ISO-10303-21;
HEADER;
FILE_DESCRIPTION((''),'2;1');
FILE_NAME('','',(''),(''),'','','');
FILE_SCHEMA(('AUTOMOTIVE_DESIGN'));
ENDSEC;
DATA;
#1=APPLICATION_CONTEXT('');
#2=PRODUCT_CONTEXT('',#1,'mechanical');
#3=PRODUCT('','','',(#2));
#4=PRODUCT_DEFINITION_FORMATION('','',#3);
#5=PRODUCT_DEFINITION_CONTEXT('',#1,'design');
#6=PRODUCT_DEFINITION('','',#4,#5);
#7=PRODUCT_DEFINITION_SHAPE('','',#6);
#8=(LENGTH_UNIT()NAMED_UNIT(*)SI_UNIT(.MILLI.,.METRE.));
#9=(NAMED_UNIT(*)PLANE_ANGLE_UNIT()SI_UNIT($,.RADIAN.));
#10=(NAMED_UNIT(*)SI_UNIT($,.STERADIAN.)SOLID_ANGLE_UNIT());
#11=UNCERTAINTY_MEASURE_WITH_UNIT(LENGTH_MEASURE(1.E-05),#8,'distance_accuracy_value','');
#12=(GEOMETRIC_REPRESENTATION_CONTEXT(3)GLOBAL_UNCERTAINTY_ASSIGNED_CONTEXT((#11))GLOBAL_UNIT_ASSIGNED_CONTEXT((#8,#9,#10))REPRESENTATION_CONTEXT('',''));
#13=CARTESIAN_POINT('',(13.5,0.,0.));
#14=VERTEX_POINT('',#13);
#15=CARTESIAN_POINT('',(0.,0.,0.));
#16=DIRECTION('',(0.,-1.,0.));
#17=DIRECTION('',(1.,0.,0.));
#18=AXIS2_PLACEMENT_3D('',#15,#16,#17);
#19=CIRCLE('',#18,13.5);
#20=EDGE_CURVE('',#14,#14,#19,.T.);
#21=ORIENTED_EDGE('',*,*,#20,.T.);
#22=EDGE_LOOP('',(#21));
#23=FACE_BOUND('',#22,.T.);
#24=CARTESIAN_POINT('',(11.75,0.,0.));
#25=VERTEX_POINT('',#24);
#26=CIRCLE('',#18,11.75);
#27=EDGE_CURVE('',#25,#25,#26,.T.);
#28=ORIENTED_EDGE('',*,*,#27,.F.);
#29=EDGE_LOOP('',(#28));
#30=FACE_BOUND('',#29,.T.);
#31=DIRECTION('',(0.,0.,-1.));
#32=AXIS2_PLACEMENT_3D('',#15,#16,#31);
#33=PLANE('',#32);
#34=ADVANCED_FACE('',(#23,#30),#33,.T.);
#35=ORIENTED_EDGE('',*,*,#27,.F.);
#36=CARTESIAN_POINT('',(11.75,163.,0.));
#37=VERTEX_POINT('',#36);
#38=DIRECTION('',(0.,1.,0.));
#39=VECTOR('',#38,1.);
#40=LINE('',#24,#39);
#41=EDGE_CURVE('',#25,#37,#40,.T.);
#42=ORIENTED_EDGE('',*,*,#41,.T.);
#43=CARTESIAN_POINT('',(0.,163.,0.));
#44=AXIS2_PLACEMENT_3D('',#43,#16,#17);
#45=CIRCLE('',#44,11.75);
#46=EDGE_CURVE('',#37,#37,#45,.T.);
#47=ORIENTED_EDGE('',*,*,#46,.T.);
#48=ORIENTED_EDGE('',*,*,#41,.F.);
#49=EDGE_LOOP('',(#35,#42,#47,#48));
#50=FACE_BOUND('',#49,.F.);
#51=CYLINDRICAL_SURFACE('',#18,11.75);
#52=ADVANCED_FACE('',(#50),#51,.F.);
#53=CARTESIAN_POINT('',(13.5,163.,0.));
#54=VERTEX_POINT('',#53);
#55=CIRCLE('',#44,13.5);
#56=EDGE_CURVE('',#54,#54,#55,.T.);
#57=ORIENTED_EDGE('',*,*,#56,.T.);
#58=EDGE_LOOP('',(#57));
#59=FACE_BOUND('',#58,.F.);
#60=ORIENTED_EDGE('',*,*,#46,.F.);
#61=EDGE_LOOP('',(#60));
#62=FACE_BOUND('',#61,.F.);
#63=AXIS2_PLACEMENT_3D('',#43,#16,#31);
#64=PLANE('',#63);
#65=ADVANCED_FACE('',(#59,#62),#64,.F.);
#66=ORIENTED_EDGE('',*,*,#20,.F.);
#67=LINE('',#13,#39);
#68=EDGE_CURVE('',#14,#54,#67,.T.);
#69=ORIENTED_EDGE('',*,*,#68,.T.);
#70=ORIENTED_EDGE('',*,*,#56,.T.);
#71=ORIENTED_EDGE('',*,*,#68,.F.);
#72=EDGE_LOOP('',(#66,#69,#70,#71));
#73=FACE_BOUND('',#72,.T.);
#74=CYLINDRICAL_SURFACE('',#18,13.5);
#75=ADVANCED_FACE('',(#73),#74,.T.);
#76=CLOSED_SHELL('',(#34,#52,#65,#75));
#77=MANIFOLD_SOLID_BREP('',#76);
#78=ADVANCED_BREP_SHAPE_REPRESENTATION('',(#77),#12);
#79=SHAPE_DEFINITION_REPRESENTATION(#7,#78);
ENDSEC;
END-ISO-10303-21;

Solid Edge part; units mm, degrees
sketch "Sketch1" plane through (0, 0, 0) normal (0, -1, 0) x (1, 0, 0)
  circle A0 centre (0, 0) radius 13.5
  circle A1 centre (0, 0) radius 11.75
extrude "Protrusion1" add sketch "Sketch1" against normal blind 163
